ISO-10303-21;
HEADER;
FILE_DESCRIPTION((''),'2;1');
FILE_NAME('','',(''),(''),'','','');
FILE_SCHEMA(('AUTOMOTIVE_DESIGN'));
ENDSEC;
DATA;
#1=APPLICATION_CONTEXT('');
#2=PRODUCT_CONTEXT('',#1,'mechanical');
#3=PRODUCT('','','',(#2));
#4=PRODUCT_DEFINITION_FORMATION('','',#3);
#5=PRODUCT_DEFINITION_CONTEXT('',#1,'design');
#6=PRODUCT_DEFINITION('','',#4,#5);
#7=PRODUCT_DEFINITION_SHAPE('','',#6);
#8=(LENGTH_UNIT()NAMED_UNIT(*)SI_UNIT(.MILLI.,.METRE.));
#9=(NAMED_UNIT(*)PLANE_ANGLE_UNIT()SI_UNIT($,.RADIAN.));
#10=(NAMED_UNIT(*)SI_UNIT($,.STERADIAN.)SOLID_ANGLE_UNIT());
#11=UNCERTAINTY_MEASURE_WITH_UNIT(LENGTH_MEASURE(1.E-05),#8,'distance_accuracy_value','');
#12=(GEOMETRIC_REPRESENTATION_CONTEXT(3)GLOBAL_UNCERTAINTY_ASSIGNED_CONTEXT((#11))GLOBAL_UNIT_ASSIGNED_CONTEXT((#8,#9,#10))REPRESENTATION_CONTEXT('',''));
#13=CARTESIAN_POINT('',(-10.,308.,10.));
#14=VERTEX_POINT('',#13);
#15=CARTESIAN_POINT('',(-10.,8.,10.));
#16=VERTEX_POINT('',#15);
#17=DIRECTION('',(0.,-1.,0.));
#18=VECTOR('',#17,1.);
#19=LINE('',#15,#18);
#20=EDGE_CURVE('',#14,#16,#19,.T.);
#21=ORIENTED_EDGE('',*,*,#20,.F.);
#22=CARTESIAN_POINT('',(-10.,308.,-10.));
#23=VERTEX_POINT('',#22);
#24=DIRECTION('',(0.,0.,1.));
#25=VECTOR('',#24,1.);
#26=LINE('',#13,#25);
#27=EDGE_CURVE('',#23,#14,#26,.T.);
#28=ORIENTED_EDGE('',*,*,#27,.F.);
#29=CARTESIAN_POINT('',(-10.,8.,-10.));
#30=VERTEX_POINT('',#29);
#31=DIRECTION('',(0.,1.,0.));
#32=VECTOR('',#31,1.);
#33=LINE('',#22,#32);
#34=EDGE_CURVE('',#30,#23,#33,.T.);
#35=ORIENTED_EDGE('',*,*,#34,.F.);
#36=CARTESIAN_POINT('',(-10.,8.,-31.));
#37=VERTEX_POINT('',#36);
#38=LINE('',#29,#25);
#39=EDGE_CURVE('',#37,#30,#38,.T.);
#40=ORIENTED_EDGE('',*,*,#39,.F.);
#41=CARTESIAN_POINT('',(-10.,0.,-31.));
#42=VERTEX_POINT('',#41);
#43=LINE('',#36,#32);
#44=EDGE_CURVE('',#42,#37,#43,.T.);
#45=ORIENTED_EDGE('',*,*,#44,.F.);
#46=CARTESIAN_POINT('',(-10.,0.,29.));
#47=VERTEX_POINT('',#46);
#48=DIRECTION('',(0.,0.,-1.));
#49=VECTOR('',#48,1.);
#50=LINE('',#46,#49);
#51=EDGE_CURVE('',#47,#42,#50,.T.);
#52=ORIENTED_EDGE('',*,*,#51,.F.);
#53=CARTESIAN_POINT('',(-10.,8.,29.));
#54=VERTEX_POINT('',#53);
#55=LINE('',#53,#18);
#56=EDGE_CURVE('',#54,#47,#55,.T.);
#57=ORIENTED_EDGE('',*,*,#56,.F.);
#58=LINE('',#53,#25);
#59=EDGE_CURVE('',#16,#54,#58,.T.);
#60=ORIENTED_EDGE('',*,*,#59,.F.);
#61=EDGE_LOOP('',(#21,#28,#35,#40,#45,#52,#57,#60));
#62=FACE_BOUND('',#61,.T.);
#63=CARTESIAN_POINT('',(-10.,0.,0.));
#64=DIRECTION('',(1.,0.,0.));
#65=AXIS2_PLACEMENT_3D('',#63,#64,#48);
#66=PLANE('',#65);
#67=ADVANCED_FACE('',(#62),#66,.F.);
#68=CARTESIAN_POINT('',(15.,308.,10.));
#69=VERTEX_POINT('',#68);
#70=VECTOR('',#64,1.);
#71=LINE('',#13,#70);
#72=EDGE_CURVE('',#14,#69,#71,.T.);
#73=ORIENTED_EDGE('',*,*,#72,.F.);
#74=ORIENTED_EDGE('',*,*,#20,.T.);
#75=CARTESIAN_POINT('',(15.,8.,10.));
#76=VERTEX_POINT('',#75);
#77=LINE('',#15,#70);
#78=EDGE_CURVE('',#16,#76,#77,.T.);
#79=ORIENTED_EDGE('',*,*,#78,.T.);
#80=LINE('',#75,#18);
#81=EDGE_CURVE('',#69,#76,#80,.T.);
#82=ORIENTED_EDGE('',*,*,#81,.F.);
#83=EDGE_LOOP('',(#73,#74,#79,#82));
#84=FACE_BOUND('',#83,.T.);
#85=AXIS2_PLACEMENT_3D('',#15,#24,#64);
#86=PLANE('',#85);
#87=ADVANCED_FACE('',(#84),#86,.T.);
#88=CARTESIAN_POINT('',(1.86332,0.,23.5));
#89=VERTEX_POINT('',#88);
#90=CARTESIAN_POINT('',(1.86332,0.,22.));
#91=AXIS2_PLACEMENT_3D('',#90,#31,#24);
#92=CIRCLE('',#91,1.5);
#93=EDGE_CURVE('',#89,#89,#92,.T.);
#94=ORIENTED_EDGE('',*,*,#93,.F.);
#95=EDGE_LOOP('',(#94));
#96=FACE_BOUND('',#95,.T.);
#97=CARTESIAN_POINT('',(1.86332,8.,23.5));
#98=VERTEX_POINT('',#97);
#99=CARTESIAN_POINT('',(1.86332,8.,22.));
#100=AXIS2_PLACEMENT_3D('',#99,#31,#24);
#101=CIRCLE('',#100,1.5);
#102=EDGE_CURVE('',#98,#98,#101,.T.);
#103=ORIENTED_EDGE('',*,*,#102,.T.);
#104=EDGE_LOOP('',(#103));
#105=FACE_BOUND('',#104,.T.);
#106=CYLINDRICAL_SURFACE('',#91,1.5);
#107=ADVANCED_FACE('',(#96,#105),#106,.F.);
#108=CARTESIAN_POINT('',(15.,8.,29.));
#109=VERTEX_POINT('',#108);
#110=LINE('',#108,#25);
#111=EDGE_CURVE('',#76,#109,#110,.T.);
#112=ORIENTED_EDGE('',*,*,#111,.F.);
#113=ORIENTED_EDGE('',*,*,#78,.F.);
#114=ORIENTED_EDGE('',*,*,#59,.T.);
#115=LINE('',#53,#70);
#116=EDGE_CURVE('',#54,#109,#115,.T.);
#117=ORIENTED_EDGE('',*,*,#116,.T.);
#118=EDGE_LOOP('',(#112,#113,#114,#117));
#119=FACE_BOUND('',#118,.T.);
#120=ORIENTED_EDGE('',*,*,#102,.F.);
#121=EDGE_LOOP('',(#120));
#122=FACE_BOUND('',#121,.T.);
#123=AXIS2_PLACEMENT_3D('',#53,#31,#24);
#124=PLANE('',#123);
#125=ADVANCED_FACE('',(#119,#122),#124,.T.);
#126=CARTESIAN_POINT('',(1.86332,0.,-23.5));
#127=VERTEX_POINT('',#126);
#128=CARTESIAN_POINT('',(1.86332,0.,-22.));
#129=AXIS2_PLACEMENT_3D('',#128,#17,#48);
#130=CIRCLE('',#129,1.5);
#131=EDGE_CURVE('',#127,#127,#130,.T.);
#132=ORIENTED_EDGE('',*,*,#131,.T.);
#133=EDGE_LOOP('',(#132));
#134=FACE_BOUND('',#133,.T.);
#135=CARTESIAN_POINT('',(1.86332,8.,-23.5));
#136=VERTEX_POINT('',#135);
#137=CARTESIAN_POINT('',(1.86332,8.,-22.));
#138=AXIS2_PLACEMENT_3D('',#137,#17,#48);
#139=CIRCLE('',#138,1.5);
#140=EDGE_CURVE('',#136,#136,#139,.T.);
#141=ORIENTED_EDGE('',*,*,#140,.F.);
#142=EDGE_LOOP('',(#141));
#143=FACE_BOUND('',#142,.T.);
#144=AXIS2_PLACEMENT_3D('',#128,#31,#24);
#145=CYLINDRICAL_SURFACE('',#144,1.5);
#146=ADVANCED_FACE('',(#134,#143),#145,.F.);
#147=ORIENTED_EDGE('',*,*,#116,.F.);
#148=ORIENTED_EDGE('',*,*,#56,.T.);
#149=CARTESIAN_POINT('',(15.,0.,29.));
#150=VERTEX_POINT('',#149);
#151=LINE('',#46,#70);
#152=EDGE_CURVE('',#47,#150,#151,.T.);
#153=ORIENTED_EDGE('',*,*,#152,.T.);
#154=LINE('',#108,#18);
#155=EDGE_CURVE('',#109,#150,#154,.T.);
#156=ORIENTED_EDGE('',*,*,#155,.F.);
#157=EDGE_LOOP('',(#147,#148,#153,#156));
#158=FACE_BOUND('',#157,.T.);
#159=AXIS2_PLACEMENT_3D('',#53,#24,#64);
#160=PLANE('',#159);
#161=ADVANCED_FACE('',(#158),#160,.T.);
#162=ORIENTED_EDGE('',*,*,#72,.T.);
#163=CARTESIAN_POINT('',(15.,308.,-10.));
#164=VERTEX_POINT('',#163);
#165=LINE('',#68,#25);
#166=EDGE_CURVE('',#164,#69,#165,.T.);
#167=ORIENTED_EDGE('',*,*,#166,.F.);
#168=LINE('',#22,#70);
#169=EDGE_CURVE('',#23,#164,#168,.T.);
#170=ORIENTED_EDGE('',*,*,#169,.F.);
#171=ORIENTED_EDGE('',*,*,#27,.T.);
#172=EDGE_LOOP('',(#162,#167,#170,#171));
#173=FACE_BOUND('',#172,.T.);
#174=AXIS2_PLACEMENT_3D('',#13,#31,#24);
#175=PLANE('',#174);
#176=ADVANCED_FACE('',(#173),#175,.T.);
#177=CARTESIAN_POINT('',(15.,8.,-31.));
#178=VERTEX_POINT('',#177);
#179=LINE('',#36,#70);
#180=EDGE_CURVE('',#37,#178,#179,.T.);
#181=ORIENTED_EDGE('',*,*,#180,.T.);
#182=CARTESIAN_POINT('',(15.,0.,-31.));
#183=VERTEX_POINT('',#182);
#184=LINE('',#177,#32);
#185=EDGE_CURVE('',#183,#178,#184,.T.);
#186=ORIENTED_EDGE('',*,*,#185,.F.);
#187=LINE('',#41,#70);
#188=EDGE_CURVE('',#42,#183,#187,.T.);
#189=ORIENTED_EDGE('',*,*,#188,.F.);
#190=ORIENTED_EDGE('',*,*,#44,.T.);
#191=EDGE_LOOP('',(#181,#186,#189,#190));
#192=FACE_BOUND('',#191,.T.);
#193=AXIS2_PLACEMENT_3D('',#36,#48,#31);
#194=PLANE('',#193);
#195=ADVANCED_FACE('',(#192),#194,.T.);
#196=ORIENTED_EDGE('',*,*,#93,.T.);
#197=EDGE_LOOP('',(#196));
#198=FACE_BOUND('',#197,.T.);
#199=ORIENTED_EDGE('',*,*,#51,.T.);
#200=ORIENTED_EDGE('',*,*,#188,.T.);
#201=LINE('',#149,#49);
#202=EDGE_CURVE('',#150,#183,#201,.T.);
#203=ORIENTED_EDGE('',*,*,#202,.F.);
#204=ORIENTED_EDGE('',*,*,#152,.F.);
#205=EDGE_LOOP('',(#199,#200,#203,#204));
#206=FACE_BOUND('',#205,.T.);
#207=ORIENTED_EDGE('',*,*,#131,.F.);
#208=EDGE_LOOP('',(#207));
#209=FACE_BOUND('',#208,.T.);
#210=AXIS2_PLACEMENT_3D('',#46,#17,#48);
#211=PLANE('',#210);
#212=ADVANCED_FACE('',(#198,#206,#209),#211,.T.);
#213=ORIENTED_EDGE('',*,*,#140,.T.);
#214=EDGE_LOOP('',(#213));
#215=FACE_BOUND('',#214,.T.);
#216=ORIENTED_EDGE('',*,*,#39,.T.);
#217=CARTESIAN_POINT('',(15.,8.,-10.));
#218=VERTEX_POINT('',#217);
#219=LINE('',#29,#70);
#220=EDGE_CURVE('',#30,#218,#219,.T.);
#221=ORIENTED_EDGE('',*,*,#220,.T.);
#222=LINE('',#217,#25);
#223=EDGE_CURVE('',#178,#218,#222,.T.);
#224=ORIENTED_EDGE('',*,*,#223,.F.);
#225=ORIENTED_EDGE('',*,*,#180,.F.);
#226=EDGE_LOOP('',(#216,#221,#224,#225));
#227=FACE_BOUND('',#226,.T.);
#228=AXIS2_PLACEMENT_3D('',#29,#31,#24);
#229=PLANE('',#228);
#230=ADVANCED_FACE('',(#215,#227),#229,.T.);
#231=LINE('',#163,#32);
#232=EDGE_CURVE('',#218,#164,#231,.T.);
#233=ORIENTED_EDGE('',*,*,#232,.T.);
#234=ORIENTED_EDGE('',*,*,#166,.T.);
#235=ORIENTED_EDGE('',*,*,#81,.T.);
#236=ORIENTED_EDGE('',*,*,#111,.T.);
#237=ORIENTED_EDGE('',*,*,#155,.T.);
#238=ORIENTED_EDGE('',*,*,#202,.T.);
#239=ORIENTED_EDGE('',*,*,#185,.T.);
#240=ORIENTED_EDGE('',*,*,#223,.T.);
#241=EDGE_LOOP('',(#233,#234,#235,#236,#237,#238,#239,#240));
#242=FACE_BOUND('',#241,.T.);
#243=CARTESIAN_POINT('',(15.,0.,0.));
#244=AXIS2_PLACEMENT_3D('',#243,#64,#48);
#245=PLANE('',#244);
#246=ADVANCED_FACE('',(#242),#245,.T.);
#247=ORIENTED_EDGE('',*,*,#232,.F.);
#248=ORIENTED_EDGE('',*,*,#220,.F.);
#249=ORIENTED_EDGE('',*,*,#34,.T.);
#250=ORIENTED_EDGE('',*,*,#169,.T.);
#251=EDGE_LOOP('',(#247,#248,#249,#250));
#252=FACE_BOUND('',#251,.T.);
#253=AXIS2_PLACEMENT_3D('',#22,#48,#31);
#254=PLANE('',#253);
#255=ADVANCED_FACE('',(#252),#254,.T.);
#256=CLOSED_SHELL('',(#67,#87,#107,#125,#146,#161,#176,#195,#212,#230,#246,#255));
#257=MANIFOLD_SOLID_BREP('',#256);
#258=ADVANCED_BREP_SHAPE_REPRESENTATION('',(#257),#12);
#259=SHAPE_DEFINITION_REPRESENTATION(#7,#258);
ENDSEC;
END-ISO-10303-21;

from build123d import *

# Parameters (mm, degrees)
BOSS_EXTRUDE1_DEPTH      = 15
BOSS_EXTRUDE1_DEPTH_BACK = 10
SKETCH3_R                = 1.5
CUT_EXTRUDE2_DEPTH       = 9


with BuildPart() as part:
    # Sketch2 → Boss-Extrude1 (new body, two sides)
    with BuildSketch(Plane(origin=(0, 0, 0), x_dir=(0, 0, -1), z_dir=(1, 0, 0))) as boss_extrude1_sk:
        Polygon((-10, 8), (-10, 308), (10, 308), (10, 8), (31, 8), (31, 0), (-29, 0), (-29, 8), align=None)
    extrude(amount=BOSS_EXTRUDE1_DEPTH)
    extrude(boss_extrude1_sk.sketch, amount=-BOSS_EXTRUDE1_DEPTH_BACK)

    # Sketch3 → Cut-Extrude2 (cut, through all)
    with BuildSketch(Plane(origin=(0, 8, 0), x_dir=(1, 0, 0), z_dir=(0, 1, 0))):
        with Locations((1.863320083, -22)):
            Circle(SKETCH3_R)
    cut_extrude2 = extrude(amount=-CUT_EXTRUDE2_DEPTH, mode=Mode.SUBTRACT)

    # Mirror2: Cut-Extrude2 across plane
    add(cut_extrude2.mirror(Plane.XY), mode=Mode.SUBTRACT)


solid = part.part
